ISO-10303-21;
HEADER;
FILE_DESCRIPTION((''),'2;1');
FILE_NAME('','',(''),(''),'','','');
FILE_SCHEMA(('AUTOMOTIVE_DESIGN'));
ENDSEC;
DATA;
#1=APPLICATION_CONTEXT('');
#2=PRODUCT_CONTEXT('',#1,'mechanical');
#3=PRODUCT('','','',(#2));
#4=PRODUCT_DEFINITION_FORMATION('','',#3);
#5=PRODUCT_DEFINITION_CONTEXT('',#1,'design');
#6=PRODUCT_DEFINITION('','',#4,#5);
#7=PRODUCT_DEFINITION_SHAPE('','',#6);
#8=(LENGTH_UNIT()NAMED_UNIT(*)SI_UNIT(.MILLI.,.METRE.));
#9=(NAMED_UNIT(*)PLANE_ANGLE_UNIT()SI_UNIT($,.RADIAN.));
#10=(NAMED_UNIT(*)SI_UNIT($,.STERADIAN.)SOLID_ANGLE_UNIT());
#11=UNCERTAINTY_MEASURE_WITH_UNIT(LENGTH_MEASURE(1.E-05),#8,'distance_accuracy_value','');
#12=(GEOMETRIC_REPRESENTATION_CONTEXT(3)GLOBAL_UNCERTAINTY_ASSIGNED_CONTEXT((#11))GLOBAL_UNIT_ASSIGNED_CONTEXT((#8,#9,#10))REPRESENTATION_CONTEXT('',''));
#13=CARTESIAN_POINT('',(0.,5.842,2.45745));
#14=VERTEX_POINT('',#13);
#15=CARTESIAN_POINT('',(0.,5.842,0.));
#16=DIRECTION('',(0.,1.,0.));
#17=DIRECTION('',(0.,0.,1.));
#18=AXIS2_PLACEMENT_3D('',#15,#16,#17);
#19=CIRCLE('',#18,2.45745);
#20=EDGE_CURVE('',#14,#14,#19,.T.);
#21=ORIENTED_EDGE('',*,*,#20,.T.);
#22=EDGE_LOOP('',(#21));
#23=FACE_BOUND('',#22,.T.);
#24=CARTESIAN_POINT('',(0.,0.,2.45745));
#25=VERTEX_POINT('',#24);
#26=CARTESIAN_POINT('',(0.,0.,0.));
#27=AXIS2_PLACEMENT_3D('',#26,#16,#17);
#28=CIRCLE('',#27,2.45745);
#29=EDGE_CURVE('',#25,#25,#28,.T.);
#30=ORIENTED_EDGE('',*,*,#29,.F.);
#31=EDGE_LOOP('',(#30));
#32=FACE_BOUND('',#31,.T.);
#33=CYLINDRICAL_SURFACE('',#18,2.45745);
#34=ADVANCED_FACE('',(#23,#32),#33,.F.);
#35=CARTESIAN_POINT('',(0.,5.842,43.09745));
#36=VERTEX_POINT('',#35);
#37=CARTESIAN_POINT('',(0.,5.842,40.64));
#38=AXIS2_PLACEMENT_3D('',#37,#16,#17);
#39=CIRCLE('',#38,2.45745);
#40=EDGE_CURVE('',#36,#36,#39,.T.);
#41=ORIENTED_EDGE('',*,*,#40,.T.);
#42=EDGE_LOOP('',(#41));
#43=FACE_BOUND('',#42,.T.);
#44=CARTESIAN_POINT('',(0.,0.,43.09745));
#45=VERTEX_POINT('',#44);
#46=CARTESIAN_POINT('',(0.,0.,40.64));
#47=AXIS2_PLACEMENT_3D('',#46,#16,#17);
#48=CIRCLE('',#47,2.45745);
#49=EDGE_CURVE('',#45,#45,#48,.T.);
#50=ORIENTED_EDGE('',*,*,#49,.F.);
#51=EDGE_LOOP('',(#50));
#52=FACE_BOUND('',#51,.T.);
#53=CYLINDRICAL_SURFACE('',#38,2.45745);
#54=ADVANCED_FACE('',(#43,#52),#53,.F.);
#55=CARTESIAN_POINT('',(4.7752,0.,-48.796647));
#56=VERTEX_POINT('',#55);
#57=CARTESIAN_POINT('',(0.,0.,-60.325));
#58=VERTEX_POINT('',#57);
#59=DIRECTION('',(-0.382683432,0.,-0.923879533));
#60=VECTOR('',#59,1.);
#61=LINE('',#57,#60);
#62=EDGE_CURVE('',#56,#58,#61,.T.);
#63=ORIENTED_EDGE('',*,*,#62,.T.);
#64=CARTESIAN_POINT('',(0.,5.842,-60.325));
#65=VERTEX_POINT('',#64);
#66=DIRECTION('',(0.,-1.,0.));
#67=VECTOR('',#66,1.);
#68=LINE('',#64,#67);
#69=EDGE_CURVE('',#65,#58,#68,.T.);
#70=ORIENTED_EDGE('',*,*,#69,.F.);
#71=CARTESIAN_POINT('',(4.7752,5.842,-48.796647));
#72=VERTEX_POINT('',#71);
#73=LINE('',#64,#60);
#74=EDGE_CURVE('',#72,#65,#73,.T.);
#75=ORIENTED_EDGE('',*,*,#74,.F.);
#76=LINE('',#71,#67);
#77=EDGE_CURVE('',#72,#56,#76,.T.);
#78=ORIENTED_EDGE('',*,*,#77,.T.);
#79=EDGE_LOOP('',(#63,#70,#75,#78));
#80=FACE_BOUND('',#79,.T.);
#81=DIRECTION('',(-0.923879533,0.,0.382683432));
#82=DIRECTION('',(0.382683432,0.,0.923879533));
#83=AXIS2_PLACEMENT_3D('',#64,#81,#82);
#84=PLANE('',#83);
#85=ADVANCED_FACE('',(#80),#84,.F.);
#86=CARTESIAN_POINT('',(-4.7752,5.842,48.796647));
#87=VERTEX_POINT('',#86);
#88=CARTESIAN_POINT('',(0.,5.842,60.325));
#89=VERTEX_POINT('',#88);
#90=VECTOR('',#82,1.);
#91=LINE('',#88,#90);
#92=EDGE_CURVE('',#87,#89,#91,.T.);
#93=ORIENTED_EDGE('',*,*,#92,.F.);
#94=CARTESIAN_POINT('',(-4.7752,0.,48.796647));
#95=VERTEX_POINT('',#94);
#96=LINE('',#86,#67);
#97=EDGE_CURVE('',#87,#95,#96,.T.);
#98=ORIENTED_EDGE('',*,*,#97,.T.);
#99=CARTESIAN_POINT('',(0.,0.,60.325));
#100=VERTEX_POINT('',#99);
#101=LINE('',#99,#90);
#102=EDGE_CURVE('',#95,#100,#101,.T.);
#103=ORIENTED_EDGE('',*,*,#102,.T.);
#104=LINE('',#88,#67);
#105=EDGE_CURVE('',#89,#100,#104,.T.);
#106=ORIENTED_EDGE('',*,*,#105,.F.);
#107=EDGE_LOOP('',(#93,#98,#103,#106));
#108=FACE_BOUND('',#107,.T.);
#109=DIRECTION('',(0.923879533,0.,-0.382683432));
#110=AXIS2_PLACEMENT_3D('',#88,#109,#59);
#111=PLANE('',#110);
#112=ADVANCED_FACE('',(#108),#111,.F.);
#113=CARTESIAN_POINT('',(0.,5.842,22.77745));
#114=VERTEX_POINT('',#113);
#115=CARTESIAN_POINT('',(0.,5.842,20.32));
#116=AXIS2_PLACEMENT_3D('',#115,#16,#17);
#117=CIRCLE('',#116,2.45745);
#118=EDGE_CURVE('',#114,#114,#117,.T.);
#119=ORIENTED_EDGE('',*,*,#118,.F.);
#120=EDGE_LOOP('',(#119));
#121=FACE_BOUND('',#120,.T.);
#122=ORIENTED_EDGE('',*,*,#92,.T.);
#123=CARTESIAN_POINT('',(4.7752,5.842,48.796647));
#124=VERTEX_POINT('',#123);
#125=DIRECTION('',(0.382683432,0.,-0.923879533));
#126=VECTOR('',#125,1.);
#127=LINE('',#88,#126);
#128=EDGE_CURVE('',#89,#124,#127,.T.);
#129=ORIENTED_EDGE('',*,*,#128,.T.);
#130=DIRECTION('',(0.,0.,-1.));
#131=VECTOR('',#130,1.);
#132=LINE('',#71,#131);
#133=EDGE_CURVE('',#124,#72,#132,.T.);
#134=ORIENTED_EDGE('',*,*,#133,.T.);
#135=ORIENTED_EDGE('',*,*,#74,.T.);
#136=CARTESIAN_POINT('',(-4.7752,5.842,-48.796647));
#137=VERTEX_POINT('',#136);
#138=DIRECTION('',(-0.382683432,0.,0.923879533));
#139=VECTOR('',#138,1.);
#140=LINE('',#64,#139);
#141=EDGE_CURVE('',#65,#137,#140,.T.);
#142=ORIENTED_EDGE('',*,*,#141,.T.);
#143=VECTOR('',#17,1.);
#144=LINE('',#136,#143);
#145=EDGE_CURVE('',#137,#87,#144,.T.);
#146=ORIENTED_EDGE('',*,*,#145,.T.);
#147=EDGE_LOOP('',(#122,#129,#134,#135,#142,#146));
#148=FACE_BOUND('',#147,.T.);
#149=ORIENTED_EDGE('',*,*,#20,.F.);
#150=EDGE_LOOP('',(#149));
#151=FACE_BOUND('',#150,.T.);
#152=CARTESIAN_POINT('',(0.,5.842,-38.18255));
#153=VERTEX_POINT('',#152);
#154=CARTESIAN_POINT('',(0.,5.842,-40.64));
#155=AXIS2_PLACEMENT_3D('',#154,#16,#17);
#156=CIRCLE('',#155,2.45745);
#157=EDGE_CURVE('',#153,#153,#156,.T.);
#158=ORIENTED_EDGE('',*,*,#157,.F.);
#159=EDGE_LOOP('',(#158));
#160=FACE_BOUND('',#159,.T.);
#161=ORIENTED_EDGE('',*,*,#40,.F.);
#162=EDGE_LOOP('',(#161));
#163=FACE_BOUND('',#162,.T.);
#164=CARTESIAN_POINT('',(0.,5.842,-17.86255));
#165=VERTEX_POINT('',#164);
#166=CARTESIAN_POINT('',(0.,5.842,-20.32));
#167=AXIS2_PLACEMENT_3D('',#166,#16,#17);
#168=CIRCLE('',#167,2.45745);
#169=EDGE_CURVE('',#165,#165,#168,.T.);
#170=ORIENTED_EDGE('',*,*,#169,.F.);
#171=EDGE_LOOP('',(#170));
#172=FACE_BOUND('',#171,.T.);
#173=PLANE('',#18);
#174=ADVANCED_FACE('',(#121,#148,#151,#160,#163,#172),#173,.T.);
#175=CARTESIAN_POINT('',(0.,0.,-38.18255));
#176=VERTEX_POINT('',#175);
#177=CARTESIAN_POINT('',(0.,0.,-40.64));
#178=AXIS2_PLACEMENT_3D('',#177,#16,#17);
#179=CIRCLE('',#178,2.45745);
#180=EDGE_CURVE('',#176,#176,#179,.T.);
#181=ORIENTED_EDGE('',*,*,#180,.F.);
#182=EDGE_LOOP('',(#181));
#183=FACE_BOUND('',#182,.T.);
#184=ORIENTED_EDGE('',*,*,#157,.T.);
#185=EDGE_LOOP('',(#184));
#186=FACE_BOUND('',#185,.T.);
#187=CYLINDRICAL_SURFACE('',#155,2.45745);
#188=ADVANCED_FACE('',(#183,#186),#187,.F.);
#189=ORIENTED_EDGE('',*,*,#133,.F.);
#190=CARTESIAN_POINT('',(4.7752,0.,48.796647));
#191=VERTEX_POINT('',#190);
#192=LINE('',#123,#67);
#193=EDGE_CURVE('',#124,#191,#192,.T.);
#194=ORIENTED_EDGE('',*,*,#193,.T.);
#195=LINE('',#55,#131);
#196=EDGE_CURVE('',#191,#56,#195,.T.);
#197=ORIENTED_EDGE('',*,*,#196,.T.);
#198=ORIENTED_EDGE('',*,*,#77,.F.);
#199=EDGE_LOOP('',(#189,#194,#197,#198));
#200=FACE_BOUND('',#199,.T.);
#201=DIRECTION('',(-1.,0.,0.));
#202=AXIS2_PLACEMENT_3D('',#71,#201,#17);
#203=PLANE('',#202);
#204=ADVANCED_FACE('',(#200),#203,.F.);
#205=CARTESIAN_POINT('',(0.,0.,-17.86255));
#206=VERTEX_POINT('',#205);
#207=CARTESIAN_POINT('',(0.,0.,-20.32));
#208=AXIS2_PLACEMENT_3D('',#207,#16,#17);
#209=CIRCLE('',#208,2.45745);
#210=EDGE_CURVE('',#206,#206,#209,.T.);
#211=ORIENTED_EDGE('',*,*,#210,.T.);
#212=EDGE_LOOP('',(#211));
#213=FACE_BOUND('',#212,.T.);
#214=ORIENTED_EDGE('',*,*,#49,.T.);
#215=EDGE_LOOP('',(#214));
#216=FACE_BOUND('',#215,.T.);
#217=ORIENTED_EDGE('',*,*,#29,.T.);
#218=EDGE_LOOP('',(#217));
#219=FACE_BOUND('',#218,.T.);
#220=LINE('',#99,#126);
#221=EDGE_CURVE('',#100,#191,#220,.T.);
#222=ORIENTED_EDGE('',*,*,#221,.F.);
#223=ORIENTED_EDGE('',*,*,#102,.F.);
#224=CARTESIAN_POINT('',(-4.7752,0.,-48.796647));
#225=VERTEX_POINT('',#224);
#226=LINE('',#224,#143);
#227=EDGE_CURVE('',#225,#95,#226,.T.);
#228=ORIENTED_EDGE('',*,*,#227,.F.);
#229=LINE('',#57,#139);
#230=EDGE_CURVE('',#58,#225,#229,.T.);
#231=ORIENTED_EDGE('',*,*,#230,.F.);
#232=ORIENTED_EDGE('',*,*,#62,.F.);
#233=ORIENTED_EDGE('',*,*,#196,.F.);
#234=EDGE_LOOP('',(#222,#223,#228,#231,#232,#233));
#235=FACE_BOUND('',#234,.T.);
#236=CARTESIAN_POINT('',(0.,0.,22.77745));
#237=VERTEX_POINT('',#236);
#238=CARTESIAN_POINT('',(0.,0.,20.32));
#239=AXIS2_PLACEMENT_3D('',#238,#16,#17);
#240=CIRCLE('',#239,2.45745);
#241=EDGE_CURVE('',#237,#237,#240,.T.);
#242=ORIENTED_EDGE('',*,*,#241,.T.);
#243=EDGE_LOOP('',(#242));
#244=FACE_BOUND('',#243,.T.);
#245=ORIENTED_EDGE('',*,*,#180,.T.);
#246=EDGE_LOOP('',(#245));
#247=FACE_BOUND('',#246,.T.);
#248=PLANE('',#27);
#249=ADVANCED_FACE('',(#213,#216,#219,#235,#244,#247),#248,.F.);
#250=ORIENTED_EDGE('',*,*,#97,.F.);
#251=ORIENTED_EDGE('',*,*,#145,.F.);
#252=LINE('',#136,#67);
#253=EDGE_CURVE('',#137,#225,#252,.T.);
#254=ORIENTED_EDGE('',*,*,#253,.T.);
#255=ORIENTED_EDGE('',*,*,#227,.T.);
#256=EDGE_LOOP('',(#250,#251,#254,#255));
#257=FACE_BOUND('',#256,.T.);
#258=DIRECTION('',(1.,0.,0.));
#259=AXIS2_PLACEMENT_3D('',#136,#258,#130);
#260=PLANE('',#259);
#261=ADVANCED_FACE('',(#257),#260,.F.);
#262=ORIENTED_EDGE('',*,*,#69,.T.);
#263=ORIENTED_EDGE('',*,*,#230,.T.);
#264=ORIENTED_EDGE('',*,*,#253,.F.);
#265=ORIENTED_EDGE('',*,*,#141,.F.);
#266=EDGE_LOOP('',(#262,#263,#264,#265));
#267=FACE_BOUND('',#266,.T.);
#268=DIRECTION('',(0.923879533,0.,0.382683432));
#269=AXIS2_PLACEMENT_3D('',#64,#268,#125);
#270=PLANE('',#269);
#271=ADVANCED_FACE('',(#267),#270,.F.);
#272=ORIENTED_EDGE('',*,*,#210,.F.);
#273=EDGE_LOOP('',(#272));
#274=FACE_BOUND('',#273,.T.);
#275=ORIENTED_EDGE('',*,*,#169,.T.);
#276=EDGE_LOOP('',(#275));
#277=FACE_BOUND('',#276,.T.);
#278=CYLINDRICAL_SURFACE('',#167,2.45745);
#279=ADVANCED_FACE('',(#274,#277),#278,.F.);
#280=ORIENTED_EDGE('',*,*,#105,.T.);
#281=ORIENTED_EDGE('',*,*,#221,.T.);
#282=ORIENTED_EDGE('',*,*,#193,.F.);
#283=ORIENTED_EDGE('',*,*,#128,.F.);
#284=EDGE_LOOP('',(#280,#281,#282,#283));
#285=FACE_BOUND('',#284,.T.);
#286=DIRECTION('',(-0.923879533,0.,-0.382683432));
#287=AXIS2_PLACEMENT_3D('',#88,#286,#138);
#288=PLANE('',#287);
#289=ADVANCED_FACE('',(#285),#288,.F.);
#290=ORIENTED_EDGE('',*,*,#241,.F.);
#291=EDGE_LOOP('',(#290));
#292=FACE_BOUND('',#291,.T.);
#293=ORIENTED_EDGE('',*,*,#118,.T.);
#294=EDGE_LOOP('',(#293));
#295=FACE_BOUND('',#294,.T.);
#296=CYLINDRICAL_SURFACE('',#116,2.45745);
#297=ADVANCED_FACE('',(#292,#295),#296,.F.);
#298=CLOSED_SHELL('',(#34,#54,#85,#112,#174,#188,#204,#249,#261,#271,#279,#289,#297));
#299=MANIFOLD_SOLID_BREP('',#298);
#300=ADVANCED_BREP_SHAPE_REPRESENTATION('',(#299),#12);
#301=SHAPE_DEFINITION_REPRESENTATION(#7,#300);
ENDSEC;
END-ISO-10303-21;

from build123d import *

# Parameters (mm, degrees)
BOSS_EXTRUDE1_DEPTH          = 5.842
F_10_0_1935_DIAMETER_HOLE1_D = 4.9149


with BuildPart() as part:
    # Sketch1 → Boss-Extrude1 (new body)
    with BuildSketch(Plane(origin=(0, 0, 0), x_dir=(1, 0, 0), z_dir=(0, 1, 0))):
        Polygon((0, 60.325), (-4.7752, 48.796647397), (-4.7752, -48.796647397), (0, -60.325), (4.7752, -48.796647397), (4.7752, 48.796647397), align=None)
    extrude(amount=BOSS_EXTRUDE1_DEPTH)

    # #10 (0.1935) Diameter Hole1 (through all)
    with Locations(Plane(origin=(0, 5.842, 0), x_dir=(1, 0, 0), z_dir=(0, 1, 0))):
        with Locations((0, 20.32), (0, 40.64), (0, 0), (0, -20.32), (0, -40.64)):
            Hole(F_10_0_1935_DIAMETER_HOLE1_D / 2)


solid = part.part
